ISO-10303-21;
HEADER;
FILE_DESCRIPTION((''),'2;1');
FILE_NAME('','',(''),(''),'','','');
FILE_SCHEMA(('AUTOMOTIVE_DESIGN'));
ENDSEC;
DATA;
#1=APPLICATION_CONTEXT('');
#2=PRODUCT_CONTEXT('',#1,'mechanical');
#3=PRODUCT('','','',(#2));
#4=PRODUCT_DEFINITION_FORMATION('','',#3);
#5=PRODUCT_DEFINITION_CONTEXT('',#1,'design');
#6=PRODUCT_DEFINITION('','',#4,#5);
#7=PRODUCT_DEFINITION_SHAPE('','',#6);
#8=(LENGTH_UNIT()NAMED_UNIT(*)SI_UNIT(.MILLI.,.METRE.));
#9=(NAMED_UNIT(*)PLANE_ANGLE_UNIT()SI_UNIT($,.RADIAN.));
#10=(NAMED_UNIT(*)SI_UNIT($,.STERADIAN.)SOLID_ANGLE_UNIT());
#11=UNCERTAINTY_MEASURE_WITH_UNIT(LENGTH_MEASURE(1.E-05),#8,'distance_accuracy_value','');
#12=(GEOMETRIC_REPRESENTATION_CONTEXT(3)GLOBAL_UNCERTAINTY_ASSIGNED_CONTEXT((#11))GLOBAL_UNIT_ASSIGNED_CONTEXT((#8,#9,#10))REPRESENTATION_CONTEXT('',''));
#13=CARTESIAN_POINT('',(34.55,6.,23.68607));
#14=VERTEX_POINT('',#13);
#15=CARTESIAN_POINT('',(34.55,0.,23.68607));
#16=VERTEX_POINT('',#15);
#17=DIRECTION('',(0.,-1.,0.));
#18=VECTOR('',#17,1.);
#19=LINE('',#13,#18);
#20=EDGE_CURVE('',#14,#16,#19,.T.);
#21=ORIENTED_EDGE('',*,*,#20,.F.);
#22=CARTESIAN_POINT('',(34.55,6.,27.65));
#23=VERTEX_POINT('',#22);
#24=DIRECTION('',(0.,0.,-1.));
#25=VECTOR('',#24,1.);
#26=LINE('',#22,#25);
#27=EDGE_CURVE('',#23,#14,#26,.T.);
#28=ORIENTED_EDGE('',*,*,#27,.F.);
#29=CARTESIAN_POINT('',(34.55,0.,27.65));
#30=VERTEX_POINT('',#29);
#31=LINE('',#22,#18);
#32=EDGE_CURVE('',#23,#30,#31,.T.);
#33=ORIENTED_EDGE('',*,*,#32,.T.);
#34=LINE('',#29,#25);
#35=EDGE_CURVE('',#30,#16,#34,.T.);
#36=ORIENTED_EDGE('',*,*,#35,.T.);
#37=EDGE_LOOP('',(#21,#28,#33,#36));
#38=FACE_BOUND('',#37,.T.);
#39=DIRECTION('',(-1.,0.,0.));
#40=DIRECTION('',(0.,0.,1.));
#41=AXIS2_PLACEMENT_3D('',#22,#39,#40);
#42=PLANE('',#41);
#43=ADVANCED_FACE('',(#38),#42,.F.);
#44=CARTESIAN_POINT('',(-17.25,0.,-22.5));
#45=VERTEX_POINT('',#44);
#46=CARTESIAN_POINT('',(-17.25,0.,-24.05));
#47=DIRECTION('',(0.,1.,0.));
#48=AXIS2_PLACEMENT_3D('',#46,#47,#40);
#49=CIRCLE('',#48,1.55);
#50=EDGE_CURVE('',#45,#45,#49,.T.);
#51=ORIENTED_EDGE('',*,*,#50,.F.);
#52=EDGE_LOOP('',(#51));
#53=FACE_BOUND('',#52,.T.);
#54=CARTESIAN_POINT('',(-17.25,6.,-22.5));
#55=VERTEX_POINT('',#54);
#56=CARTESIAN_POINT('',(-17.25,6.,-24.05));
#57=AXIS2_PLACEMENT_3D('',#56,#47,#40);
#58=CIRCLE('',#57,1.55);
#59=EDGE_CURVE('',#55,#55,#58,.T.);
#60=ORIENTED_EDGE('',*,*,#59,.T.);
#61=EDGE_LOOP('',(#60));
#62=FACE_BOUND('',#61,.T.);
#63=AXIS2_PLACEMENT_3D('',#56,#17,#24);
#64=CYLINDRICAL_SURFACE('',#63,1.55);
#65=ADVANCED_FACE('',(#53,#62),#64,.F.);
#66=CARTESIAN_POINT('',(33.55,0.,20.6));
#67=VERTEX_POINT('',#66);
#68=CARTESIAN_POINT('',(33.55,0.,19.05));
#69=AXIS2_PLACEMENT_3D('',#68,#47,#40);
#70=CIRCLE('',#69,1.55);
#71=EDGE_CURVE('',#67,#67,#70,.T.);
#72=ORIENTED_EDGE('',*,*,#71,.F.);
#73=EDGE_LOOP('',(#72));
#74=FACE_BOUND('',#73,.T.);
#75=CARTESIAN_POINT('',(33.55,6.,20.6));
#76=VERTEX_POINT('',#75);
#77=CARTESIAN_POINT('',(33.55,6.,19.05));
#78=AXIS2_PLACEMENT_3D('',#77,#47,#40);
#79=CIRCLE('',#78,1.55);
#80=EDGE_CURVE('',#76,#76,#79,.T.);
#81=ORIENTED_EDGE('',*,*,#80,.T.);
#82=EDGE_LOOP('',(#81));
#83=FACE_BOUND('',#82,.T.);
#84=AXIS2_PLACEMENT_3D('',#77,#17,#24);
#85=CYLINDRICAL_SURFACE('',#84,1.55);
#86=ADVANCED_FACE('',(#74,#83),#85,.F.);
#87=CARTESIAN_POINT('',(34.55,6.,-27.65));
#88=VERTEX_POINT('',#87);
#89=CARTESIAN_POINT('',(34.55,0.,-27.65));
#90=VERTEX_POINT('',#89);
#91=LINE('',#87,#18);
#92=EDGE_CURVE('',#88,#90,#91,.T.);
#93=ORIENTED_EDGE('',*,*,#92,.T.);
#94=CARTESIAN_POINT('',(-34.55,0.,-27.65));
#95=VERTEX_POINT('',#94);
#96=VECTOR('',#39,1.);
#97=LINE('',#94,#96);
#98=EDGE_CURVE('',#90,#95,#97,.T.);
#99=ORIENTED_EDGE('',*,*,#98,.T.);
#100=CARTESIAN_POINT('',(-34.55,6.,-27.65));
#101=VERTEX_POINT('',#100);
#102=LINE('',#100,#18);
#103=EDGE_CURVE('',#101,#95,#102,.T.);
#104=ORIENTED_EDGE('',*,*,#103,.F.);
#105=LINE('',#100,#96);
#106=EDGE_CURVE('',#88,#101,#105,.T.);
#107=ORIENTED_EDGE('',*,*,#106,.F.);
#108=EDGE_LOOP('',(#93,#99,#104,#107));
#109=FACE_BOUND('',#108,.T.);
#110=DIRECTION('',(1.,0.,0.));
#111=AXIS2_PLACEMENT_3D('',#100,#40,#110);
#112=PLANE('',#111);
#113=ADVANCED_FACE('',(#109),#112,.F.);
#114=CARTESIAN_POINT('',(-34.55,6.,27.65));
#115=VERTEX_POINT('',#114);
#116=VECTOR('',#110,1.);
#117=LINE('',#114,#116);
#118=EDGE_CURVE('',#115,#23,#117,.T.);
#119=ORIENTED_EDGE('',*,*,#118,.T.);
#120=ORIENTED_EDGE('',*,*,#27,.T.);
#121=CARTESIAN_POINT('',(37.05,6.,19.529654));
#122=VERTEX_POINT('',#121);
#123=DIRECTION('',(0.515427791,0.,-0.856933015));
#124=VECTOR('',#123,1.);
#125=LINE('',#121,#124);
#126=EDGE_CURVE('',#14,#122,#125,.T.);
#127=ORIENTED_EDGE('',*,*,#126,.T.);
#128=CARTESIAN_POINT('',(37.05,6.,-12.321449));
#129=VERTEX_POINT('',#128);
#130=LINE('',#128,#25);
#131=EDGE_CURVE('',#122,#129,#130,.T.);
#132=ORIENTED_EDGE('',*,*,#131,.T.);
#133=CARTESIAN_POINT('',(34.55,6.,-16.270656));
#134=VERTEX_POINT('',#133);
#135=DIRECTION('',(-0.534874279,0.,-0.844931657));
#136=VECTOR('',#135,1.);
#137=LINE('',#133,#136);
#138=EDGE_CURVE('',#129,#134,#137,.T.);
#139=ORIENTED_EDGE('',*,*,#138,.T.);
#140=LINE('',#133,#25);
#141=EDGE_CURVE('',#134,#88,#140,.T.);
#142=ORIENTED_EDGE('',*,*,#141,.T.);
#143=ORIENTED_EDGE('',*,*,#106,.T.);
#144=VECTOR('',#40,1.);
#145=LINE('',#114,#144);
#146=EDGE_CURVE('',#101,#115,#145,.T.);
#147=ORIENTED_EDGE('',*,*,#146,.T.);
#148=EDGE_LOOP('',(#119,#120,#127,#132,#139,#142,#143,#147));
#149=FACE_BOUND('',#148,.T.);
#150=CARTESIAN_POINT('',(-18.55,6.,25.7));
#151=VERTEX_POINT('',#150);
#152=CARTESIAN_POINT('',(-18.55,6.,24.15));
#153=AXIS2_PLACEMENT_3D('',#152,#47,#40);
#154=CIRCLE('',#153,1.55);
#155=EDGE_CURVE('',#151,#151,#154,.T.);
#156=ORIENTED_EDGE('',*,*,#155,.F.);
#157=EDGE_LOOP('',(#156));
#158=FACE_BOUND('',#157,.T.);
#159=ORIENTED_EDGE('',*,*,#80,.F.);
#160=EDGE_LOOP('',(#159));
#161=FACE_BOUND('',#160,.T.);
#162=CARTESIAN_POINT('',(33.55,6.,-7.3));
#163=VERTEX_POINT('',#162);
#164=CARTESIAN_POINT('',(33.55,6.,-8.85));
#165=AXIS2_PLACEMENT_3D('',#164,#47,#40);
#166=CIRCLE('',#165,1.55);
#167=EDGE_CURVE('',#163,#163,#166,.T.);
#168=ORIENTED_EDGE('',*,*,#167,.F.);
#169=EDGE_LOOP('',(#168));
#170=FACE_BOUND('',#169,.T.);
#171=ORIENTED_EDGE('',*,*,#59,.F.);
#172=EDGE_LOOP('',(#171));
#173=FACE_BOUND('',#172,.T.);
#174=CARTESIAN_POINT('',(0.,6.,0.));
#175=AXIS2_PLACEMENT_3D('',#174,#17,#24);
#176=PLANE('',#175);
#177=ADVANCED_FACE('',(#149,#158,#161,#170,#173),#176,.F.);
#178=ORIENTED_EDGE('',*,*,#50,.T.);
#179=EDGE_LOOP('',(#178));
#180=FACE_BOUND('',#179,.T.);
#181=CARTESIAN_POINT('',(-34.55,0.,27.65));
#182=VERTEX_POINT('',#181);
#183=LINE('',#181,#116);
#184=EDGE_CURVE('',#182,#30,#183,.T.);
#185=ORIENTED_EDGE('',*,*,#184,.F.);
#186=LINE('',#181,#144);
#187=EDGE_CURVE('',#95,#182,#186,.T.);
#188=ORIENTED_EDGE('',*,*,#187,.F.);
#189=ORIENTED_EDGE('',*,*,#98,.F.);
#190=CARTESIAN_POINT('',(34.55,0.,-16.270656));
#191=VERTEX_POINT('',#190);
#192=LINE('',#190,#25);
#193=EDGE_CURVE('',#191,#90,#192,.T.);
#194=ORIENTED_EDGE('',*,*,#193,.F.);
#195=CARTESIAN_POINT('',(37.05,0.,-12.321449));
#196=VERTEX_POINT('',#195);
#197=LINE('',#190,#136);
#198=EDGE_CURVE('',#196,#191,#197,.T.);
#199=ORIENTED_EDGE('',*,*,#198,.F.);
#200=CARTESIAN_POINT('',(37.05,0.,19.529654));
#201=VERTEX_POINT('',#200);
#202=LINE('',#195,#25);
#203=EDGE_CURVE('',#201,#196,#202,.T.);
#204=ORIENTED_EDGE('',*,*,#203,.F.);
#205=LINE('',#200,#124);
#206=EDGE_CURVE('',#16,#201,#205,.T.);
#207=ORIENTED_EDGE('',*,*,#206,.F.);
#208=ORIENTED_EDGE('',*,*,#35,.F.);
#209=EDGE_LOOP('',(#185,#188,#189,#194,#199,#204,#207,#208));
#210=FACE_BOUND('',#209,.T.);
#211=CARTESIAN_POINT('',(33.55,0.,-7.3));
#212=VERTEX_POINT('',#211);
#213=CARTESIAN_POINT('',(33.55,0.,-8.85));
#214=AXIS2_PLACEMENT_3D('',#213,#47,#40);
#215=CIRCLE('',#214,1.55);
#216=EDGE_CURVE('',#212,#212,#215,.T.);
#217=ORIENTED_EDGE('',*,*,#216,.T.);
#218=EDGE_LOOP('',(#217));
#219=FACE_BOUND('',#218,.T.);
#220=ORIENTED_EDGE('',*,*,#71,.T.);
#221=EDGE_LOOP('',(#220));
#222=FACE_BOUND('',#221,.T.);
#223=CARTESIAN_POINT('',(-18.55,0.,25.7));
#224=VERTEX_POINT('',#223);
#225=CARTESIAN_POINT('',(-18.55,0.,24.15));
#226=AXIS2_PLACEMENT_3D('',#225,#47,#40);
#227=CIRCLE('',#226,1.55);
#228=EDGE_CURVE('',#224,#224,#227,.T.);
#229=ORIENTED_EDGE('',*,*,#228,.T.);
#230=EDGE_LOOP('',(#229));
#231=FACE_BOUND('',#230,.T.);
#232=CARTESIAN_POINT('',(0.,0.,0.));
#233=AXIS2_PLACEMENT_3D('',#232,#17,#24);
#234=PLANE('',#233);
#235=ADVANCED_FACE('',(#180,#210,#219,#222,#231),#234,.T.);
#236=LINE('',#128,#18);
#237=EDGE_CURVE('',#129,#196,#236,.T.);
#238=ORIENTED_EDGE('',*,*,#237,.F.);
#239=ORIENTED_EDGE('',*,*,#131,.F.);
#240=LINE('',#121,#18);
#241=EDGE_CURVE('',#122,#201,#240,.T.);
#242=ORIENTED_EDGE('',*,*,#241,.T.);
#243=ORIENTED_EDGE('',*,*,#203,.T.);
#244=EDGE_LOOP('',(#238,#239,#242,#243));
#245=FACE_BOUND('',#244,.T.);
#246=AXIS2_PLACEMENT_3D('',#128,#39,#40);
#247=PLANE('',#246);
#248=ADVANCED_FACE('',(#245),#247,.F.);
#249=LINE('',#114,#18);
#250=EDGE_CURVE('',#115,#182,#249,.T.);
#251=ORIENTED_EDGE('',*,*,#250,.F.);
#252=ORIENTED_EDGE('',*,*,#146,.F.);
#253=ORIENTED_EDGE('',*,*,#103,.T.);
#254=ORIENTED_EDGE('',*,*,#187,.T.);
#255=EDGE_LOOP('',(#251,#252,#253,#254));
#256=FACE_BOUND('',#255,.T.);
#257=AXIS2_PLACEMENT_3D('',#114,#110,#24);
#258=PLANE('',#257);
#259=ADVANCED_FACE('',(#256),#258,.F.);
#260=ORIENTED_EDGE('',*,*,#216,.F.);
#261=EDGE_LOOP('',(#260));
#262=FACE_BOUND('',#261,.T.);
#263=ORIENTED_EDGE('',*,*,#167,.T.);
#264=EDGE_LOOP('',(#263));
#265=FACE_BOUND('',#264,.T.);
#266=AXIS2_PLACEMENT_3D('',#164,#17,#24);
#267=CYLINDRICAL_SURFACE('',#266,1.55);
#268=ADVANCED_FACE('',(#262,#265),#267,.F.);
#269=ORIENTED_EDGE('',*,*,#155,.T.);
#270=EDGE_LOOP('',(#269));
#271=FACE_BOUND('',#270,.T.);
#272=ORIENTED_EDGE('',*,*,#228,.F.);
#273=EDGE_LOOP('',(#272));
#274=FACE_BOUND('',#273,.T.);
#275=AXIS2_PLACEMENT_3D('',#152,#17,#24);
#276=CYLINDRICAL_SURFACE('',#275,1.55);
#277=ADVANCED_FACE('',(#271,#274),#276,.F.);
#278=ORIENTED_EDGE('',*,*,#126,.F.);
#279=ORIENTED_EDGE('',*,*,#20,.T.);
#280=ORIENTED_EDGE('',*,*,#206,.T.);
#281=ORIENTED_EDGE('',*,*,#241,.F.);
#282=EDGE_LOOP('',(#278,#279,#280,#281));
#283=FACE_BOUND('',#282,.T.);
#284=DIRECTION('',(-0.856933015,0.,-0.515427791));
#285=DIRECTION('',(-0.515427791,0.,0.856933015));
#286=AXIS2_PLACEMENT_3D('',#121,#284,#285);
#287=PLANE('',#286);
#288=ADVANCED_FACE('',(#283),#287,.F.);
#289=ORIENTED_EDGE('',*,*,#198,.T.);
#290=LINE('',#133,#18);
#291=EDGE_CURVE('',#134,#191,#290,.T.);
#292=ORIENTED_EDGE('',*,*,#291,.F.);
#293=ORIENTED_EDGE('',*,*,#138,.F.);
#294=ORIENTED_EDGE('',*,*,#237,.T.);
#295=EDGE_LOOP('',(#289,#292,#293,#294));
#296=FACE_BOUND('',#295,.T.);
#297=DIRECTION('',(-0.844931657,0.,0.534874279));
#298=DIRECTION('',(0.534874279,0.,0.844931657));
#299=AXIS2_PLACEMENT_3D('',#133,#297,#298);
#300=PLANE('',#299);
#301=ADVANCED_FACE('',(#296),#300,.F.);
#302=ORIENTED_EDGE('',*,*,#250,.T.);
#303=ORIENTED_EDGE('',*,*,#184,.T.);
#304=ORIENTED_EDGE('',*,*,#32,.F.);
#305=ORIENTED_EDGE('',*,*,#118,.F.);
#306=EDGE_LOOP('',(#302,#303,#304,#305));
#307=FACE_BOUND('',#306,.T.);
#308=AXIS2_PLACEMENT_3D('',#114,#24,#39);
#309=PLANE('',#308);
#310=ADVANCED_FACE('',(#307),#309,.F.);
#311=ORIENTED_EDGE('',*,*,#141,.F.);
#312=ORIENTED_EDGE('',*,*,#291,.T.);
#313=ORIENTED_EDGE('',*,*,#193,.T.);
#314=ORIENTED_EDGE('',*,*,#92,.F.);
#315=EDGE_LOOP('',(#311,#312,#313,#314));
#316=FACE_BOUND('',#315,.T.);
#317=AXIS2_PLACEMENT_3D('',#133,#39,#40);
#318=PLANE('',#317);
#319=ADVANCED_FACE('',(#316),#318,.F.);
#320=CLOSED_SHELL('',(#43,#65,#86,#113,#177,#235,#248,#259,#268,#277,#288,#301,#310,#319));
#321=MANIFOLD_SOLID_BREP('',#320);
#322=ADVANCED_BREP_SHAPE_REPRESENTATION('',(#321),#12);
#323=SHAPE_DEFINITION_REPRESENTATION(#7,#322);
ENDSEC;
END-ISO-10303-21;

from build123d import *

# Parameters (mm, degrees)
SKETCH1_R           = 1.55
BOSS_EXTRUDE1_DEPTH = 6


with BuildPart() as part:
    # Sketch1 → Boss-Extrude1 (new body)
    with BuildSketch(Plane(origin=(0, 0, 0), x_dir=(1, 0, 0), z_dir=(0, 1, 0))):
        Polygon((34.55, 16.270655855), (37.05, 12.321449053), (37.05, -19.529653547), (34.55, -23.686069977), (34.55, -27.65), (-34.55, -27.65), (-34.55, 27.65), (34.55, 27.65), align=None)
        with Locations(Location((-17.25, 24.05, 0), (0, 0, 270))):
            Circle(SKETCH1_R, mode=Mode.SUBTRACT)
        with Locations(Location((33.55, 8.85, 0), (0, 0, 270))):
            Circle(SKETCH1_R, mode=Mode.SUBTRACT)
        with Locations(Location((33.55, -19.05, 0), (0, 0, 270))):
            Circle(SKETCH1_R, mode=Mode.SUBTRACT)
        with Locations(Location((-18.55, -24.15, 0), (0, 0, 270))):
            Circle(SKETCH1_R, mode=Mode.SUBTRACT)
    extrude(amount=BOSS_EXTRUDE1_DEPTH)


solid = part.part
